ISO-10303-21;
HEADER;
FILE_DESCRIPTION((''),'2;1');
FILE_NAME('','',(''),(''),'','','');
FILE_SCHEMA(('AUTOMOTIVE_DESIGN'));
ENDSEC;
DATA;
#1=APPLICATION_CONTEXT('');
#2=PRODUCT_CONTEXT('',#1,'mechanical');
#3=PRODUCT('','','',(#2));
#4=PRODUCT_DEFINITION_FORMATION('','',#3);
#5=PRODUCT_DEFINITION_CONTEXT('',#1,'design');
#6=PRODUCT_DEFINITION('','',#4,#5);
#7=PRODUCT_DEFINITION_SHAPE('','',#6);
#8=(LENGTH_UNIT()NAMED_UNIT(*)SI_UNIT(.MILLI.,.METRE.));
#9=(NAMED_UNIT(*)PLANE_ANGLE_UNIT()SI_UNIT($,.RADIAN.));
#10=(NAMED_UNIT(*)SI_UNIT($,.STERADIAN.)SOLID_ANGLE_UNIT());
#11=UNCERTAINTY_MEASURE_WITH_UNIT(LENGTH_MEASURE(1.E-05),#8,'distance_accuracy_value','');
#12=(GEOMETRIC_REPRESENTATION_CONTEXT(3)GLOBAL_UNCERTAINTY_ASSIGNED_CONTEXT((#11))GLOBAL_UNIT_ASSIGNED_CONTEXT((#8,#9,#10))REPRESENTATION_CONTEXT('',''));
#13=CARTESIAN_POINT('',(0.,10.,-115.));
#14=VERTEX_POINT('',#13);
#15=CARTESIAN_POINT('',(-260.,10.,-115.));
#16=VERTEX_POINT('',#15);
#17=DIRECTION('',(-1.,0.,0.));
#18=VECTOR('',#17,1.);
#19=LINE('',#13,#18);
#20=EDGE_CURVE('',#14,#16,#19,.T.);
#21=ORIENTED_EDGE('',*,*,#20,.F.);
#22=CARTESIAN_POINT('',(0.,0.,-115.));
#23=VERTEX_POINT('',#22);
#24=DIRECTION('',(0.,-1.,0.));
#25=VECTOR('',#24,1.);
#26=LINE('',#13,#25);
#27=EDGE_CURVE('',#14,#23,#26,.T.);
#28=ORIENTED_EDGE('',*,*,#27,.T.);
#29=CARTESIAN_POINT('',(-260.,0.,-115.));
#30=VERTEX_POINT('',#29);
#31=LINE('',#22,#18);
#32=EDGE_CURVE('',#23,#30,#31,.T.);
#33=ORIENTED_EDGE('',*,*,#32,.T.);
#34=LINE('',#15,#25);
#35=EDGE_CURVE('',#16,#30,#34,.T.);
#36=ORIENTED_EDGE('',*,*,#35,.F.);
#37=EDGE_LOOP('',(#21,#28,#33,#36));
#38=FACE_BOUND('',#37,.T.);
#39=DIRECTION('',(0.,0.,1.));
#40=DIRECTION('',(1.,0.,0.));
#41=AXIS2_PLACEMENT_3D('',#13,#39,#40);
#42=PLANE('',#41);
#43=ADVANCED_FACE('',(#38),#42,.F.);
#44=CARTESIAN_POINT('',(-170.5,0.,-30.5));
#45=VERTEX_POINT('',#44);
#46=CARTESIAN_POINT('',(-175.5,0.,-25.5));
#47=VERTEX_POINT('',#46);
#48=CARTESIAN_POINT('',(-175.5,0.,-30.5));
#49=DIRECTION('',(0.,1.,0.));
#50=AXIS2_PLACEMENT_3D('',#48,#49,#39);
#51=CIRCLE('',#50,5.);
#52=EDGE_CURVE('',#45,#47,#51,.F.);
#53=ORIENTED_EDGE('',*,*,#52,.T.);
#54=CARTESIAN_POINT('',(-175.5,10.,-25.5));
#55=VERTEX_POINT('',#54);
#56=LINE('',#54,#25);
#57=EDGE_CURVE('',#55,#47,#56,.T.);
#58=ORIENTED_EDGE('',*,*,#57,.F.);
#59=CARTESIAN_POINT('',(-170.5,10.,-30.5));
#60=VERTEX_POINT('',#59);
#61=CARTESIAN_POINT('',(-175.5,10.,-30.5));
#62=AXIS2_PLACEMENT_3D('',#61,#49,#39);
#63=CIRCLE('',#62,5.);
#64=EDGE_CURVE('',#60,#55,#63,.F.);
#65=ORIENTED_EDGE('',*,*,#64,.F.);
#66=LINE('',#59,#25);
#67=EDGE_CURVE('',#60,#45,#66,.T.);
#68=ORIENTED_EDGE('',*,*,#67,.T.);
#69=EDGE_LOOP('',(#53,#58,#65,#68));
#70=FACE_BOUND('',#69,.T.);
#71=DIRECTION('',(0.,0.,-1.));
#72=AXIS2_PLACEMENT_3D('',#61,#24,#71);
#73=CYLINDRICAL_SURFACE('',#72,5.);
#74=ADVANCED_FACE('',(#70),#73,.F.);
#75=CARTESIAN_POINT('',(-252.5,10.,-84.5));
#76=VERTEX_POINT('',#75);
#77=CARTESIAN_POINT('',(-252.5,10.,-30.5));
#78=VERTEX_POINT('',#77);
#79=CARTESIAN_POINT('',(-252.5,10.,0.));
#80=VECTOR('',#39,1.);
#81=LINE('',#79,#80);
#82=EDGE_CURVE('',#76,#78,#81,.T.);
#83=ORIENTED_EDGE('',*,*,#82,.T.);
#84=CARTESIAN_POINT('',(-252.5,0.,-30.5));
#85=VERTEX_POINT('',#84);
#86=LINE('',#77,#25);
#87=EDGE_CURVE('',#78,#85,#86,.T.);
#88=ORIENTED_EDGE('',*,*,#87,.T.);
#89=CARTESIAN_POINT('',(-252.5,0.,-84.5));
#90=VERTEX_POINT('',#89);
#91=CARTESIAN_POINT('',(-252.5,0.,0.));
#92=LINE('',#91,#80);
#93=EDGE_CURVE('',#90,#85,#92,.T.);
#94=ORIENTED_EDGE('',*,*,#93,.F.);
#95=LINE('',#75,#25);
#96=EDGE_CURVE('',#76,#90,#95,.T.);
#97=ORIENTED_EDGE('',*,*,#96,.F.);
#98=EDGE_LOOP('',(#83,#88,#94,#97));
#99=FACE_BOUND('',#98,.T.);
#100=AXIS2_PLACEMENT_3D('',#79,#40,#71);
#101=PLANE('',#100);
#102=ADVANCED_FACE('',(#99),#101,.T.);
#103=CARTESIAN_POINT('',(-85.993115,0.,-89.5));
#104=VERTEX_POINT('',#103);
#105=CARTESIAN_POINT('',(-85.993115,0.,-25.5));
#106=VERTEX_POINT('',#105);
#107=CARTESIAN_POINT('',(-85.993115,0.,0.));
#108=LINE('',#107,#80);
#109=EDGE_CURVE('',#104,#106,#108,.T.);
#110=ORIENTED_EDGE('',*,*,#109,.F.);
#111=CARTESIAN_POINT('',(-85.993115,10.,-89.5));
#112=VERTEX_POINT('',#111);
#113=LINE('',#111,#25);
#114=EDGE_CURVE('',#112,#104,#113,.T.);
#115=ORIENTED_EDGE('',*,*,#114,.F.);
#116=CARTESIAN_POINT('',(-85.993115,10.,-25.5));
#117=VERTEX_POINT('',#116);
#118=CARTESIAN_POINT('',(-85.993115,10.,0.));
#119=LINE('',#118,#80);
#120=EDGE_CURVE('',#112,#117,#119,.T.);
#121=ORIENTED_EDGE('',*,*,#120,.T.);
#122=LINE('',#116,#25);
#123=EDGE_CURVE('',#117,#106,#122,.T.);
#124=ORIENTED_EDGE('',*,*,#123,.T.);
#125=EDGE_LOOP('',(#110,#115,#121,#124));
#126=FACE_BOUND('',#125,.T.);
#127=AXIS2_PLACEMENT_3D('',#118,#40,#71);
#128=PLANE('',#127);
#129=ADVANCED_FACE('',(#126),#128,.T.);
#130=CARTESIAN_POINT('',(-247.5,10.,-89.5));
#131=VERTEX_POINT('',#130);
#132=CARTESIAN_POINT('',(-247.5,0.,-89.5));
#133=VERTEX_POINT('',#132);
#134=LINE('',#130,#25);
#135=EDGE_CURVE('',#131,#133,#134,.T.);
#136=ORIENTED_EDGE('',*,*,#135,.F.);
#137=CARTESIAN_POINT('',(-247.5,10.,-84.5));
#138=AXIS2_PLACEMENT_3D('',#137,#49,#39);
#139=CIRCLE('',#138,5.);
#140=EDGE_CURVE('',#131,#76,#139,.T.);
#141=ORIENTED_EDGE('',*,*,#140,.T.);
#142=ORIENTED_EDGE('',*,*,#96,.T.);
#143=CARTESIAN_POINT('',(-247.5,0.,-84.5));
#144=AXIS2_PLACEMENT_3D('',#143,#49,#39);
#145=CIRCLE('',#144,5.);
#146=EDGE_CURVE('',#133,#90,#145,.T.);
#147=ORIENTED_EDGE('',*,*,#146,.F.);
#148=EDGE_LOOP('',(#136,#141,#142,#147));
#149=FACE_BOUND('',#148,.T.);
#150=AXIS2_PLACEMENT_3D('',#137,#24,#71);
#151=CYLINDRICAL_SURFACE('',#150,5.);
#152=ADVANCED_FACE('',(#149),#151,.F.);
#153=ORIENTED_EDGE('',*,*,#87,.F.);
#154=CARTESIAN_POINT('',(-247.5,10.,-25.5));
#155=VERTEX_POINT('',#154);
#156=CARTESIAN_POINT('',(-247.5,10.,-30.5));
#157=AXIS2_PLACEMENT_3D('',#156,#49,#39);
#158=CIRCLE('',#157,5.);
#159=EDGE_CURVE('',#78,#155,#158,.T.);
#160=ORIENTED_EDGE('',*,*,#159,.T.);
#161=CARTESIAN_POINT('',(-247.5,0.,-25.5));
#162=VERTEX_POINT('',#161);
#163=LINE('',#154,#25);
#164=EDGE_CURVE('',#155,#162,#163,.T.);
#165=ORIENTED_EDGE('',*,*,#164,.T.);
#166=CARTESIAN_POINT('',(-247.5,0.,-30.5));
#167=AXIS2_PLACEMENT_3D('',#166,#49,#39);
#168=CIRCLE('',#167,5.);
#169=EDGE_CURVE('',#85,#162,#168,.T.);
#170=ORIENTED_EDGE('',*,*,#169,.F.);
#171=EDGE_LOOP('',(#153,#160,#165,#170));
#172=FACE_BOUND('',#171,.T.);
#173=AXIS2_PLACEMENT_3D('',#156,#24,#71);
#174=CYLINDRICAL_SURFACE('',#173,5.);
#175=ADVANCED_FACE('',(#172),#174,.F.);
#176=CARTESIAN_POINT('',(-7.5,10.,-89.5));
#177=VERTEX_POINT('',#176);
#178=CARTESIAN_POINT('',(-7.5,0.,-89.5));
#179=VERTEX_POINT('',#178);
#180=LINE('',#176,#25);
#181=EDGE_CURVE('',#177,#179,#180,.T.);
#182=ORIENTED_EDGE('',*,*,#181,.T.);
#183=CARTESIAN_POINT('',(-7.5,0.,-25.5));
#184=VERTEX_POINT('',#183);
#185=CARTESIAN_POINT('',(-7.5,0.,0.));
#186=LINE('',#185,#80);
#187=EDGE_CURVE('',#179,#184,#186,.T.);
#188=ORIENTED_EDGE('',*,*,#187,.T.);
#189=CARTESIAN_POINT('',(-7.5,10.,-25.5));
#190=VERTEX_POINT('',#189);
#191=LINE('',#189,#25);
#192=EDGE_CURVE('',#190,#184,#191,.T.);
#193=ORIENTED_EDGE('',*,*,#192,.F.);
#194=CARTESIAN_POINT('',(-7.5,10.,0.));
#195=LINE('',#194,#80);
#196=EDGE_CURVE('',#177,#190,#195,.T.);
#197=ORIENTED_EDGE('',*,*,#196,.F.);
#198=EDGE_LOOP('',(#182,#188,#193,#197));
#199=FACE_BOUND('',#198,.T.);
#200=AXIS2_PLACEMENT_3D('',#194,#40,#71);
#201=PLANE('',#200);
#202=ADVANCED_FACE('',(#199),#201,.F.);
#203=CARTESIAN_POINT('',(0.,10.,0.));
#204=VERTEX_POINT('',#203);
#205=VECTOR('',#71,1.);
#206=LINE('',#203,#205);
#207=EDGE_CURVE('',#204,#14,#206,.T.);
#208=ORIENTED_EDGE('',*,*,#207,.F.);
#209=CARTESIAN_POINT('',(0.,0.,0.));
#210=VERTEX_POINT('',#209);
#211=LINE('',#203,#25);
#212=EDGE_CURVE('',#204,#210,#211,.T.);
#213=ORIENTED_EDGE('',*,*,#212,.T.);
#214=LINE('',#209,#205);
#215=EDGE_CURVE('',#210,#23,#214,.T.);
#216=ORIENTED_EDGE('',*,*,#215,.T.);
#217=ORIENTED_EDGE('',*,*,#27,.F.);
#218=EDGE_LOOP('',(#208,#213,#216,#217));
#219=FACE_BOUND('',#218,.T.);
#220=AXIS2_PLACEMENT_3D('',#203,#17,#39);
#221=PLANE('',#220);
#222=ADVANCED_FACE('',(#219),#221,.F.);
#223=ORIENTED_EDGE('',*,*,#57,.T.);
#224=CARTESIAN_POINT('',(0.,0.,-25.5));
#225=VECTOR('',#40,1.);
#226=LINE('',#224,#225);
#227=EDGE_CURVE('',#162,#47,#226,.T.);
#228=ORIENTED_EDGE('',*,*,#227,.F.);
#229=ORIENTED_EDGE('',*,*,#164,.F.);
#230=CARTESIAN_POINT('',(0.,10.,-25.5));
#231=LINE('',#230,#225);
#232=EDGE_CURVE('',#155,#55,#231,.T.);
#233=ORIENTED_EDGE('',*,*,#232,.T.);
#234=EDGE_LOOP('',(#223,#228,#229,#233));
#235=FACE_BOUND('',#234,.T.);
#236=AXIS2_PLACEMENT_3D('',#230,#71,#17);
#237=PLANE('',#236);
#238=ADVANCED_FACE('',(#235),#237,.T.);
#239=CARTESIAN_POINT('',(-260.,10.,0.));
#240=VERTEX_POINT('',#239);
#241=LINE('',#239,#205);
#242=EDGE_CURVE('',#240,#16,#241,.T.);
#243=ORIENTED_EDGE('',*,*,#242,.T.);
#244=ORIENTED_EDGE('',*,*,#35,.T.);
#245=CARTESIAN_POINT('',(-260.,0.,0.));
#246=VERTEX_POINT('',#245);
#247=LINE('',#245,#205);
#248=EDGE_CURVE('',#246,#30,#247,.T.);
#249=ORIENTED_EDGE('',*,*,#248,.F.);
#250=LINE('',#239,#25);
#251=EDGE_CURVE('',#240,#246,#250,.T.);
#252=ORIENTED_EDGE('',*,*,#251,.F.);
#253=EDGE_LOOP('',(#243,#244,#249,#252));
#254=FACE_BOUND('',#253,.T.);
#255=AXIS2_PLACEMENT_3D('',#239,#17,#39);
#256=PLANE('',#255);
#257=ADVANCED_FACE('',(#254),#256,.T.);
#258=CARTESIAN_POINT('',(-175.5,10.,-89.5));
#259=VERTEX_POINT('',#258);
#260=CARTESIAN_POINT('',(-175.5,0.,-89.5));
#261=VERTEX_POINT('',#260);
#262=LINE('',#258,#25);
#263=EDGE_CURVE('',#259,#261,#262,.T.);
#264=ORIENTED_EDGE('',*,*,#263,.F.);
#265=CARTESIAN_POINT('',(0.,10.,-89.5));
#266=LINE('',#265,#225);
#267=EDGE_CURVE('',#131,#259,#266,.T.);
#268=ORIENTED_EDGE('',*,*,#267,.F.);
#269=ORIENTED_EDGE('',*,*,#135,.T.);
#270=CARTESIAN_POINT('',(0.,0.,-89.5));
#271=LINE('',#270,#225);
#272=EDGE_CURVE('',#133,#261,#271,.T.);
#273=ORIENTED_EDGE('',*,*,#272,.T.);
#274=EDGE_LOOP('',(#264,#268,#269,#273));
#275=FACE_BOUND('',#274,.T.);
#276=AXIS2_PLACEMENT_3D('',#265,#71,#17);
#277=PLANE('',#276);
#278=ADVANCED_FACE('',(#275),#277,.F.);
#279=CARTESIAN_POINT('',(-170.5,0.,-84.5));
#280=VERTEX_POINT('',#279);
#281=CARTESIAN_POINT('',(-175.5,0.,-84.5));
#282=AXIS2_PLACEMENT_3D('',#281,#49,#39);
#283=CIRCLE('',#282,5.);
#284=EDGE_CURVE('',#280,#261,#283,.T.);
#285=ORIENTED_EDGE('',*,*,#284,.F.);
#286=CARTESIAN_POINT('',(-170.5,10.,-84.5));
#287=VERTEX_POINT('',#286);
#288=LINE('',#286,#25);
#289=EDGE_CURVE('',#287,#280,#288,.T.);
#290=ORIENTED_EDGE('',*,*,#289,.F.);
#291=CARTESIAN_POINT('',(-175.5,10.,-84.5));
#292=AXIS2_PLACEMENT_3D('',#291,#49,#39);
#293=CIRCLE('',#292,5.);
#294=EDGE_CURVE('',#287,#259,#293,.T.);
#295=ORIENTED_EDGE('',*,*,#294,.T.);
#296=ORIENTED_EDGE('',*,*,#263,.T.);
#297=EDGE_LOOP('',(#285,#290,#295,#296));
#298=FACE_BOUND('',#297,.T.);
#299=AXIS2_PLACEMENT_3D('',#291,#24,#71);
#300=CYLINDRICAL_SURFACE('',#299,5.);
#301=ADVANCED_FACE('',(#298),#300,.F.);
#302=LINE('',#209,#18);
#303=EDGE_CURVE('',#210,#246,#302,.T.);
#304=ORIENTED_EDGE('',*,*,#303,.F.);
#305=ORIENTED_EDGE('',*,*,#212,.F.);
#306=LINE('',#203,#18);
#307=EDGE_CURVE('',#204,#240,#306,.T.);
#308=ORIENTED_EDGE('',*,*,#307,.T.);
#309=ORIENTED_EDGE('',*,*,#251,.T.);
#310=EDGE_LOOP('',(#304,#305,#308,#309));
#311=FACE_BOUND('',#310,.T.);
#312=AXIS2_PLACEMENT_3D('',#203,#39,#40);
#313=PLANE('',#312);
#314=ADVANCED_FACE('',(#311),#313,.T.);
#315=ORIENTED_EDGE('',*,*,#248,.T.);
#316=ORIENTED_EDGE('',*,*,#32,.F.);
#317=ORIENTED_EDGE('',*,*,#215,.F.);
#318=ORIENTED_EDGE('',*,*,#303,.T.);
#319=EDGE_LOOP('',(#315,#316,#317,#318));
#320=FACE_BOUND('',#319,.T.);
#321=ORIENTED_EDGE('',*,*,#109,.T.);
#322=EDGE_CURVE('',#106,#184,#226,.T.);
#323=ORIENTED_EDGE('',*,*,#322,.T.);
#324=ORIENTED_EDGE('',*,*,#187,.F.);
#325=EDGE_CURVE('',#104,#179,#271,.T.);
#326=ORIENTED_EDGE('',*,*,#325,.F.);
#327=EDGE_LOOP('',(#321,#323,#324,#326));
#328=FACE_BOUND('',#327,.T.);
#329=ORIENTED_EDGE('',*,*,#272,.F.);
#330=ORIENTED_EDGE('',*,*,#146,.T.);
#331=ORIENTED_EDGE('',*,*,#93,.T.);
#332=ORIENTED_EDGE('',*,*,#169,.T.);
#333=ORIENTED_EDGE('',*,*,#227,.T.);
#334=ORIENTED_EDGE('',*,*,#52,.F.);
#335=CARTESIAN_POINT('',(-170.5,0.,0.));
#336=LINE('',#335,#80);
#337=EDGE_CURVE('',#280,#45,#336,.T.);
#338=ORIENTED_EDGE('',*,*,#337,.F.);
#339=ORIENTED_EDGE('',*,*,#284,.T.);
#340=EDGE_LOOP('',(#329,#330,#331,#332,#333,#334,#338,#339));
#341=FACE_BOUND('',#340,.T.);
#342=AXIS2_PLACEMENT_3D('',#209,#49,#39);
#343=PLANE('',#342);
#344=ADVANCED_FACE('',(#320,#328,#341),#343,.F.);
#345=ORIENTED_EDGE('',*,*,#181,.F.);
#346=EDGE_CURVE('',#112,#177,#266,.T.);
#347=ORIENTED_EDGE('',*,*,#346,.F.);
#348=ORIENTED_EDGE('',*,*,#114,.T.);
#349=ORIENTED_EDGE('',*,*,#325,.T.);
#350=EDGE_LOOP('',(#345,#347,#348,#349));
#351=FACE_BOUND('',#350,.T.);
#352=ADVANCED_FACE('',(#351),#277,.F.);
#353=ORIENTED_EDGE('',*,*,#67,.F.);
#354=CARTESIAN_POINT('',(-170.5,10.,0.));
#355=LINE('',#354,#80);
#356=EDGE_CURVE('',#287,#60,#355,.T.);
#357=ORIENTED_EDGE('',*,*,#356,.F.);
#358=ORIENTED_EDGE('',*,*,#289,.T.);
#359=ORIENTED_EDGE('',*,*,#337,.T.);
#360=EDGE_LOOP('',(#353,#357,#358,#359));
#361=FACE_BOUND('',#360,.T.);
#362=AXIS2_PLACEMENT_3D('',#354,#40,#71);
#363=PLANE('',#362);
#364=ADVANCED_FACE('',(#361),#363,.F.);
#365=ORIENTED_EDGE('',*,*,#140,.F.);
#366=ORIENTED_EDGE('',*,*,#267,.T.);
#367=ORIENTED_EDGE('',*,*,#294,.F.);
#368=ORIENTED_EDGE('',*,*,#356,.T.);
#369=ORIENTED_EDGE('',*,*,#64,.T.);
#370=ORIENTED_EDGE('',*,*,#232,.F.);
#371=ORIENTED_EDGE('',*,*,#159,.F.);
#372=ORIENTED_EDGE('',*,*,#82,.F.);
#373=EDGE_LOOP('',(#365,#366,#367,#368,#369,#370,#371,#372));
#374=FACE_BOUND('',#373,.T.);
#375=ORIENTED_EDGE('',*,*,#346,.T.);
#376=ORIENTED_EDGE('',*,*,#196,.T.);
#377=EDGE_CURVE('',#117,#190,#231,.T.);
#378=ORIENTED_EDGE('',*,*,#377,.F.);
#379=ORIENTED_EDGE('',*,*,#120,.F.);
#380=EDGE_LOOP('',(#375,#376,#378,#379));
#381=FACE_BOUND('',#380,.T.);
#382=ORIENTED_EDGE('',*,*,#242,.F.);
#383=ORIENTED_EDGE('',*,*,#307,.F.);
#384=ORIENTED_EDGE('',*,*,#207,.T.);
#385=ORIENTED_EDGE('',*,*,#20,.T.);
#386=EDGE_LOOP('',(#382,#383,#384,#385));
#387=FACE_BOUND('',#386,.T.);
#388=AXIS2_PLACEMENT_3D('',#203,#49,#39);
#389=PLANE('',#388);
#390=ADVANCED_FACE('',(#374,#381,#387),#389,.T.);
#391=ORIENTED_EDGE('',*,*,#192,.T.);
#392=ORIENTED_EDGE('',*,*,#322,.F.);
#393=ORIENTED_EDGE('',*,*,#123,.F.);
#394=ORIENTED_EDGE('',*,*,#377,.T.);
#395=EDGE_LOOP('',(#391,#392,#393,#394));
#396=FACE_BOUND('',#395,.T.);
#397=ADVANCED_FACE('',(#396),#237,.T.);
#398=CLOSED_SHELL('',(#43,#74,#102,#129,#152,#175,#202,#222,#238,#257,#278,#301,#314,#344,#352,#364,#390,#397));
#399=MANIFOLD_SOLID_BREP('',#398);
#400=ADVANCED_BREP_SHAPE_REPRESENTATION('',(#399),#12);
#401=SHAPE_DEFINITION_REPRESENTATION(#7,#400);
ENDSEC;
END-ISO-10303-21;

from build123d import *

# Parameters (mm, degrees)
SKETCH1_W           = 260
SKETCH1_H           = 115
SKETCH1_W_2         = 78.493115051
SKETCH1_H_2         = 64
BOSS_EXTRUDE1_DEPTH = 10


with BuildPart() as part:
    # Sketch1 → Boss-Extrude1 (new body)
    with BuildSketch(Plane(origin=(0, 0, 0), x_dir=(1, 0, 0), z_dir=(0, 1, 0))):
        with Locations((-130, 57.5)):
            Rectangle(SKETCH1_W, SKETCH1_H)
        with BuildLine():
            ThreePointArc((-247.5, 89.5), (-251.035533906, 88.035533906), (-252.5, 84.5))
            Line((-252.5, 84.5), (-252.5, 30.5))
            ThreePointArc((-252.5, 30.5), (-251.035533906, 26.964466094), (-247.5, 25.5))
            Line((-247.5, 25.5), (-175.5, 25.5))
            ThreePointArc((-175.5, 25.5), (-171.964466094, 26.964466094), (-170.5, 30.5))
            Line((-170.5, 30.5), (-170.5, 84.5))
            ThreePointArc((-170.5, 84.5), (-171.964466094, 88.035533906), (-175.5, 89.5))
            Line((-175.5, 89.5), (-247.5, 89.5))
        make_face(mode=Mode.SUBTRACT)
        with Locations((-46.746557526, 57.5)):
            Rectangle(SKETCH1_W_2, SKETCH1_H_2, mode=Mode.SUBTRACT)
    extrude(amount=BOSS_EXTRUDE1_DEPTH)


solid = part.part
